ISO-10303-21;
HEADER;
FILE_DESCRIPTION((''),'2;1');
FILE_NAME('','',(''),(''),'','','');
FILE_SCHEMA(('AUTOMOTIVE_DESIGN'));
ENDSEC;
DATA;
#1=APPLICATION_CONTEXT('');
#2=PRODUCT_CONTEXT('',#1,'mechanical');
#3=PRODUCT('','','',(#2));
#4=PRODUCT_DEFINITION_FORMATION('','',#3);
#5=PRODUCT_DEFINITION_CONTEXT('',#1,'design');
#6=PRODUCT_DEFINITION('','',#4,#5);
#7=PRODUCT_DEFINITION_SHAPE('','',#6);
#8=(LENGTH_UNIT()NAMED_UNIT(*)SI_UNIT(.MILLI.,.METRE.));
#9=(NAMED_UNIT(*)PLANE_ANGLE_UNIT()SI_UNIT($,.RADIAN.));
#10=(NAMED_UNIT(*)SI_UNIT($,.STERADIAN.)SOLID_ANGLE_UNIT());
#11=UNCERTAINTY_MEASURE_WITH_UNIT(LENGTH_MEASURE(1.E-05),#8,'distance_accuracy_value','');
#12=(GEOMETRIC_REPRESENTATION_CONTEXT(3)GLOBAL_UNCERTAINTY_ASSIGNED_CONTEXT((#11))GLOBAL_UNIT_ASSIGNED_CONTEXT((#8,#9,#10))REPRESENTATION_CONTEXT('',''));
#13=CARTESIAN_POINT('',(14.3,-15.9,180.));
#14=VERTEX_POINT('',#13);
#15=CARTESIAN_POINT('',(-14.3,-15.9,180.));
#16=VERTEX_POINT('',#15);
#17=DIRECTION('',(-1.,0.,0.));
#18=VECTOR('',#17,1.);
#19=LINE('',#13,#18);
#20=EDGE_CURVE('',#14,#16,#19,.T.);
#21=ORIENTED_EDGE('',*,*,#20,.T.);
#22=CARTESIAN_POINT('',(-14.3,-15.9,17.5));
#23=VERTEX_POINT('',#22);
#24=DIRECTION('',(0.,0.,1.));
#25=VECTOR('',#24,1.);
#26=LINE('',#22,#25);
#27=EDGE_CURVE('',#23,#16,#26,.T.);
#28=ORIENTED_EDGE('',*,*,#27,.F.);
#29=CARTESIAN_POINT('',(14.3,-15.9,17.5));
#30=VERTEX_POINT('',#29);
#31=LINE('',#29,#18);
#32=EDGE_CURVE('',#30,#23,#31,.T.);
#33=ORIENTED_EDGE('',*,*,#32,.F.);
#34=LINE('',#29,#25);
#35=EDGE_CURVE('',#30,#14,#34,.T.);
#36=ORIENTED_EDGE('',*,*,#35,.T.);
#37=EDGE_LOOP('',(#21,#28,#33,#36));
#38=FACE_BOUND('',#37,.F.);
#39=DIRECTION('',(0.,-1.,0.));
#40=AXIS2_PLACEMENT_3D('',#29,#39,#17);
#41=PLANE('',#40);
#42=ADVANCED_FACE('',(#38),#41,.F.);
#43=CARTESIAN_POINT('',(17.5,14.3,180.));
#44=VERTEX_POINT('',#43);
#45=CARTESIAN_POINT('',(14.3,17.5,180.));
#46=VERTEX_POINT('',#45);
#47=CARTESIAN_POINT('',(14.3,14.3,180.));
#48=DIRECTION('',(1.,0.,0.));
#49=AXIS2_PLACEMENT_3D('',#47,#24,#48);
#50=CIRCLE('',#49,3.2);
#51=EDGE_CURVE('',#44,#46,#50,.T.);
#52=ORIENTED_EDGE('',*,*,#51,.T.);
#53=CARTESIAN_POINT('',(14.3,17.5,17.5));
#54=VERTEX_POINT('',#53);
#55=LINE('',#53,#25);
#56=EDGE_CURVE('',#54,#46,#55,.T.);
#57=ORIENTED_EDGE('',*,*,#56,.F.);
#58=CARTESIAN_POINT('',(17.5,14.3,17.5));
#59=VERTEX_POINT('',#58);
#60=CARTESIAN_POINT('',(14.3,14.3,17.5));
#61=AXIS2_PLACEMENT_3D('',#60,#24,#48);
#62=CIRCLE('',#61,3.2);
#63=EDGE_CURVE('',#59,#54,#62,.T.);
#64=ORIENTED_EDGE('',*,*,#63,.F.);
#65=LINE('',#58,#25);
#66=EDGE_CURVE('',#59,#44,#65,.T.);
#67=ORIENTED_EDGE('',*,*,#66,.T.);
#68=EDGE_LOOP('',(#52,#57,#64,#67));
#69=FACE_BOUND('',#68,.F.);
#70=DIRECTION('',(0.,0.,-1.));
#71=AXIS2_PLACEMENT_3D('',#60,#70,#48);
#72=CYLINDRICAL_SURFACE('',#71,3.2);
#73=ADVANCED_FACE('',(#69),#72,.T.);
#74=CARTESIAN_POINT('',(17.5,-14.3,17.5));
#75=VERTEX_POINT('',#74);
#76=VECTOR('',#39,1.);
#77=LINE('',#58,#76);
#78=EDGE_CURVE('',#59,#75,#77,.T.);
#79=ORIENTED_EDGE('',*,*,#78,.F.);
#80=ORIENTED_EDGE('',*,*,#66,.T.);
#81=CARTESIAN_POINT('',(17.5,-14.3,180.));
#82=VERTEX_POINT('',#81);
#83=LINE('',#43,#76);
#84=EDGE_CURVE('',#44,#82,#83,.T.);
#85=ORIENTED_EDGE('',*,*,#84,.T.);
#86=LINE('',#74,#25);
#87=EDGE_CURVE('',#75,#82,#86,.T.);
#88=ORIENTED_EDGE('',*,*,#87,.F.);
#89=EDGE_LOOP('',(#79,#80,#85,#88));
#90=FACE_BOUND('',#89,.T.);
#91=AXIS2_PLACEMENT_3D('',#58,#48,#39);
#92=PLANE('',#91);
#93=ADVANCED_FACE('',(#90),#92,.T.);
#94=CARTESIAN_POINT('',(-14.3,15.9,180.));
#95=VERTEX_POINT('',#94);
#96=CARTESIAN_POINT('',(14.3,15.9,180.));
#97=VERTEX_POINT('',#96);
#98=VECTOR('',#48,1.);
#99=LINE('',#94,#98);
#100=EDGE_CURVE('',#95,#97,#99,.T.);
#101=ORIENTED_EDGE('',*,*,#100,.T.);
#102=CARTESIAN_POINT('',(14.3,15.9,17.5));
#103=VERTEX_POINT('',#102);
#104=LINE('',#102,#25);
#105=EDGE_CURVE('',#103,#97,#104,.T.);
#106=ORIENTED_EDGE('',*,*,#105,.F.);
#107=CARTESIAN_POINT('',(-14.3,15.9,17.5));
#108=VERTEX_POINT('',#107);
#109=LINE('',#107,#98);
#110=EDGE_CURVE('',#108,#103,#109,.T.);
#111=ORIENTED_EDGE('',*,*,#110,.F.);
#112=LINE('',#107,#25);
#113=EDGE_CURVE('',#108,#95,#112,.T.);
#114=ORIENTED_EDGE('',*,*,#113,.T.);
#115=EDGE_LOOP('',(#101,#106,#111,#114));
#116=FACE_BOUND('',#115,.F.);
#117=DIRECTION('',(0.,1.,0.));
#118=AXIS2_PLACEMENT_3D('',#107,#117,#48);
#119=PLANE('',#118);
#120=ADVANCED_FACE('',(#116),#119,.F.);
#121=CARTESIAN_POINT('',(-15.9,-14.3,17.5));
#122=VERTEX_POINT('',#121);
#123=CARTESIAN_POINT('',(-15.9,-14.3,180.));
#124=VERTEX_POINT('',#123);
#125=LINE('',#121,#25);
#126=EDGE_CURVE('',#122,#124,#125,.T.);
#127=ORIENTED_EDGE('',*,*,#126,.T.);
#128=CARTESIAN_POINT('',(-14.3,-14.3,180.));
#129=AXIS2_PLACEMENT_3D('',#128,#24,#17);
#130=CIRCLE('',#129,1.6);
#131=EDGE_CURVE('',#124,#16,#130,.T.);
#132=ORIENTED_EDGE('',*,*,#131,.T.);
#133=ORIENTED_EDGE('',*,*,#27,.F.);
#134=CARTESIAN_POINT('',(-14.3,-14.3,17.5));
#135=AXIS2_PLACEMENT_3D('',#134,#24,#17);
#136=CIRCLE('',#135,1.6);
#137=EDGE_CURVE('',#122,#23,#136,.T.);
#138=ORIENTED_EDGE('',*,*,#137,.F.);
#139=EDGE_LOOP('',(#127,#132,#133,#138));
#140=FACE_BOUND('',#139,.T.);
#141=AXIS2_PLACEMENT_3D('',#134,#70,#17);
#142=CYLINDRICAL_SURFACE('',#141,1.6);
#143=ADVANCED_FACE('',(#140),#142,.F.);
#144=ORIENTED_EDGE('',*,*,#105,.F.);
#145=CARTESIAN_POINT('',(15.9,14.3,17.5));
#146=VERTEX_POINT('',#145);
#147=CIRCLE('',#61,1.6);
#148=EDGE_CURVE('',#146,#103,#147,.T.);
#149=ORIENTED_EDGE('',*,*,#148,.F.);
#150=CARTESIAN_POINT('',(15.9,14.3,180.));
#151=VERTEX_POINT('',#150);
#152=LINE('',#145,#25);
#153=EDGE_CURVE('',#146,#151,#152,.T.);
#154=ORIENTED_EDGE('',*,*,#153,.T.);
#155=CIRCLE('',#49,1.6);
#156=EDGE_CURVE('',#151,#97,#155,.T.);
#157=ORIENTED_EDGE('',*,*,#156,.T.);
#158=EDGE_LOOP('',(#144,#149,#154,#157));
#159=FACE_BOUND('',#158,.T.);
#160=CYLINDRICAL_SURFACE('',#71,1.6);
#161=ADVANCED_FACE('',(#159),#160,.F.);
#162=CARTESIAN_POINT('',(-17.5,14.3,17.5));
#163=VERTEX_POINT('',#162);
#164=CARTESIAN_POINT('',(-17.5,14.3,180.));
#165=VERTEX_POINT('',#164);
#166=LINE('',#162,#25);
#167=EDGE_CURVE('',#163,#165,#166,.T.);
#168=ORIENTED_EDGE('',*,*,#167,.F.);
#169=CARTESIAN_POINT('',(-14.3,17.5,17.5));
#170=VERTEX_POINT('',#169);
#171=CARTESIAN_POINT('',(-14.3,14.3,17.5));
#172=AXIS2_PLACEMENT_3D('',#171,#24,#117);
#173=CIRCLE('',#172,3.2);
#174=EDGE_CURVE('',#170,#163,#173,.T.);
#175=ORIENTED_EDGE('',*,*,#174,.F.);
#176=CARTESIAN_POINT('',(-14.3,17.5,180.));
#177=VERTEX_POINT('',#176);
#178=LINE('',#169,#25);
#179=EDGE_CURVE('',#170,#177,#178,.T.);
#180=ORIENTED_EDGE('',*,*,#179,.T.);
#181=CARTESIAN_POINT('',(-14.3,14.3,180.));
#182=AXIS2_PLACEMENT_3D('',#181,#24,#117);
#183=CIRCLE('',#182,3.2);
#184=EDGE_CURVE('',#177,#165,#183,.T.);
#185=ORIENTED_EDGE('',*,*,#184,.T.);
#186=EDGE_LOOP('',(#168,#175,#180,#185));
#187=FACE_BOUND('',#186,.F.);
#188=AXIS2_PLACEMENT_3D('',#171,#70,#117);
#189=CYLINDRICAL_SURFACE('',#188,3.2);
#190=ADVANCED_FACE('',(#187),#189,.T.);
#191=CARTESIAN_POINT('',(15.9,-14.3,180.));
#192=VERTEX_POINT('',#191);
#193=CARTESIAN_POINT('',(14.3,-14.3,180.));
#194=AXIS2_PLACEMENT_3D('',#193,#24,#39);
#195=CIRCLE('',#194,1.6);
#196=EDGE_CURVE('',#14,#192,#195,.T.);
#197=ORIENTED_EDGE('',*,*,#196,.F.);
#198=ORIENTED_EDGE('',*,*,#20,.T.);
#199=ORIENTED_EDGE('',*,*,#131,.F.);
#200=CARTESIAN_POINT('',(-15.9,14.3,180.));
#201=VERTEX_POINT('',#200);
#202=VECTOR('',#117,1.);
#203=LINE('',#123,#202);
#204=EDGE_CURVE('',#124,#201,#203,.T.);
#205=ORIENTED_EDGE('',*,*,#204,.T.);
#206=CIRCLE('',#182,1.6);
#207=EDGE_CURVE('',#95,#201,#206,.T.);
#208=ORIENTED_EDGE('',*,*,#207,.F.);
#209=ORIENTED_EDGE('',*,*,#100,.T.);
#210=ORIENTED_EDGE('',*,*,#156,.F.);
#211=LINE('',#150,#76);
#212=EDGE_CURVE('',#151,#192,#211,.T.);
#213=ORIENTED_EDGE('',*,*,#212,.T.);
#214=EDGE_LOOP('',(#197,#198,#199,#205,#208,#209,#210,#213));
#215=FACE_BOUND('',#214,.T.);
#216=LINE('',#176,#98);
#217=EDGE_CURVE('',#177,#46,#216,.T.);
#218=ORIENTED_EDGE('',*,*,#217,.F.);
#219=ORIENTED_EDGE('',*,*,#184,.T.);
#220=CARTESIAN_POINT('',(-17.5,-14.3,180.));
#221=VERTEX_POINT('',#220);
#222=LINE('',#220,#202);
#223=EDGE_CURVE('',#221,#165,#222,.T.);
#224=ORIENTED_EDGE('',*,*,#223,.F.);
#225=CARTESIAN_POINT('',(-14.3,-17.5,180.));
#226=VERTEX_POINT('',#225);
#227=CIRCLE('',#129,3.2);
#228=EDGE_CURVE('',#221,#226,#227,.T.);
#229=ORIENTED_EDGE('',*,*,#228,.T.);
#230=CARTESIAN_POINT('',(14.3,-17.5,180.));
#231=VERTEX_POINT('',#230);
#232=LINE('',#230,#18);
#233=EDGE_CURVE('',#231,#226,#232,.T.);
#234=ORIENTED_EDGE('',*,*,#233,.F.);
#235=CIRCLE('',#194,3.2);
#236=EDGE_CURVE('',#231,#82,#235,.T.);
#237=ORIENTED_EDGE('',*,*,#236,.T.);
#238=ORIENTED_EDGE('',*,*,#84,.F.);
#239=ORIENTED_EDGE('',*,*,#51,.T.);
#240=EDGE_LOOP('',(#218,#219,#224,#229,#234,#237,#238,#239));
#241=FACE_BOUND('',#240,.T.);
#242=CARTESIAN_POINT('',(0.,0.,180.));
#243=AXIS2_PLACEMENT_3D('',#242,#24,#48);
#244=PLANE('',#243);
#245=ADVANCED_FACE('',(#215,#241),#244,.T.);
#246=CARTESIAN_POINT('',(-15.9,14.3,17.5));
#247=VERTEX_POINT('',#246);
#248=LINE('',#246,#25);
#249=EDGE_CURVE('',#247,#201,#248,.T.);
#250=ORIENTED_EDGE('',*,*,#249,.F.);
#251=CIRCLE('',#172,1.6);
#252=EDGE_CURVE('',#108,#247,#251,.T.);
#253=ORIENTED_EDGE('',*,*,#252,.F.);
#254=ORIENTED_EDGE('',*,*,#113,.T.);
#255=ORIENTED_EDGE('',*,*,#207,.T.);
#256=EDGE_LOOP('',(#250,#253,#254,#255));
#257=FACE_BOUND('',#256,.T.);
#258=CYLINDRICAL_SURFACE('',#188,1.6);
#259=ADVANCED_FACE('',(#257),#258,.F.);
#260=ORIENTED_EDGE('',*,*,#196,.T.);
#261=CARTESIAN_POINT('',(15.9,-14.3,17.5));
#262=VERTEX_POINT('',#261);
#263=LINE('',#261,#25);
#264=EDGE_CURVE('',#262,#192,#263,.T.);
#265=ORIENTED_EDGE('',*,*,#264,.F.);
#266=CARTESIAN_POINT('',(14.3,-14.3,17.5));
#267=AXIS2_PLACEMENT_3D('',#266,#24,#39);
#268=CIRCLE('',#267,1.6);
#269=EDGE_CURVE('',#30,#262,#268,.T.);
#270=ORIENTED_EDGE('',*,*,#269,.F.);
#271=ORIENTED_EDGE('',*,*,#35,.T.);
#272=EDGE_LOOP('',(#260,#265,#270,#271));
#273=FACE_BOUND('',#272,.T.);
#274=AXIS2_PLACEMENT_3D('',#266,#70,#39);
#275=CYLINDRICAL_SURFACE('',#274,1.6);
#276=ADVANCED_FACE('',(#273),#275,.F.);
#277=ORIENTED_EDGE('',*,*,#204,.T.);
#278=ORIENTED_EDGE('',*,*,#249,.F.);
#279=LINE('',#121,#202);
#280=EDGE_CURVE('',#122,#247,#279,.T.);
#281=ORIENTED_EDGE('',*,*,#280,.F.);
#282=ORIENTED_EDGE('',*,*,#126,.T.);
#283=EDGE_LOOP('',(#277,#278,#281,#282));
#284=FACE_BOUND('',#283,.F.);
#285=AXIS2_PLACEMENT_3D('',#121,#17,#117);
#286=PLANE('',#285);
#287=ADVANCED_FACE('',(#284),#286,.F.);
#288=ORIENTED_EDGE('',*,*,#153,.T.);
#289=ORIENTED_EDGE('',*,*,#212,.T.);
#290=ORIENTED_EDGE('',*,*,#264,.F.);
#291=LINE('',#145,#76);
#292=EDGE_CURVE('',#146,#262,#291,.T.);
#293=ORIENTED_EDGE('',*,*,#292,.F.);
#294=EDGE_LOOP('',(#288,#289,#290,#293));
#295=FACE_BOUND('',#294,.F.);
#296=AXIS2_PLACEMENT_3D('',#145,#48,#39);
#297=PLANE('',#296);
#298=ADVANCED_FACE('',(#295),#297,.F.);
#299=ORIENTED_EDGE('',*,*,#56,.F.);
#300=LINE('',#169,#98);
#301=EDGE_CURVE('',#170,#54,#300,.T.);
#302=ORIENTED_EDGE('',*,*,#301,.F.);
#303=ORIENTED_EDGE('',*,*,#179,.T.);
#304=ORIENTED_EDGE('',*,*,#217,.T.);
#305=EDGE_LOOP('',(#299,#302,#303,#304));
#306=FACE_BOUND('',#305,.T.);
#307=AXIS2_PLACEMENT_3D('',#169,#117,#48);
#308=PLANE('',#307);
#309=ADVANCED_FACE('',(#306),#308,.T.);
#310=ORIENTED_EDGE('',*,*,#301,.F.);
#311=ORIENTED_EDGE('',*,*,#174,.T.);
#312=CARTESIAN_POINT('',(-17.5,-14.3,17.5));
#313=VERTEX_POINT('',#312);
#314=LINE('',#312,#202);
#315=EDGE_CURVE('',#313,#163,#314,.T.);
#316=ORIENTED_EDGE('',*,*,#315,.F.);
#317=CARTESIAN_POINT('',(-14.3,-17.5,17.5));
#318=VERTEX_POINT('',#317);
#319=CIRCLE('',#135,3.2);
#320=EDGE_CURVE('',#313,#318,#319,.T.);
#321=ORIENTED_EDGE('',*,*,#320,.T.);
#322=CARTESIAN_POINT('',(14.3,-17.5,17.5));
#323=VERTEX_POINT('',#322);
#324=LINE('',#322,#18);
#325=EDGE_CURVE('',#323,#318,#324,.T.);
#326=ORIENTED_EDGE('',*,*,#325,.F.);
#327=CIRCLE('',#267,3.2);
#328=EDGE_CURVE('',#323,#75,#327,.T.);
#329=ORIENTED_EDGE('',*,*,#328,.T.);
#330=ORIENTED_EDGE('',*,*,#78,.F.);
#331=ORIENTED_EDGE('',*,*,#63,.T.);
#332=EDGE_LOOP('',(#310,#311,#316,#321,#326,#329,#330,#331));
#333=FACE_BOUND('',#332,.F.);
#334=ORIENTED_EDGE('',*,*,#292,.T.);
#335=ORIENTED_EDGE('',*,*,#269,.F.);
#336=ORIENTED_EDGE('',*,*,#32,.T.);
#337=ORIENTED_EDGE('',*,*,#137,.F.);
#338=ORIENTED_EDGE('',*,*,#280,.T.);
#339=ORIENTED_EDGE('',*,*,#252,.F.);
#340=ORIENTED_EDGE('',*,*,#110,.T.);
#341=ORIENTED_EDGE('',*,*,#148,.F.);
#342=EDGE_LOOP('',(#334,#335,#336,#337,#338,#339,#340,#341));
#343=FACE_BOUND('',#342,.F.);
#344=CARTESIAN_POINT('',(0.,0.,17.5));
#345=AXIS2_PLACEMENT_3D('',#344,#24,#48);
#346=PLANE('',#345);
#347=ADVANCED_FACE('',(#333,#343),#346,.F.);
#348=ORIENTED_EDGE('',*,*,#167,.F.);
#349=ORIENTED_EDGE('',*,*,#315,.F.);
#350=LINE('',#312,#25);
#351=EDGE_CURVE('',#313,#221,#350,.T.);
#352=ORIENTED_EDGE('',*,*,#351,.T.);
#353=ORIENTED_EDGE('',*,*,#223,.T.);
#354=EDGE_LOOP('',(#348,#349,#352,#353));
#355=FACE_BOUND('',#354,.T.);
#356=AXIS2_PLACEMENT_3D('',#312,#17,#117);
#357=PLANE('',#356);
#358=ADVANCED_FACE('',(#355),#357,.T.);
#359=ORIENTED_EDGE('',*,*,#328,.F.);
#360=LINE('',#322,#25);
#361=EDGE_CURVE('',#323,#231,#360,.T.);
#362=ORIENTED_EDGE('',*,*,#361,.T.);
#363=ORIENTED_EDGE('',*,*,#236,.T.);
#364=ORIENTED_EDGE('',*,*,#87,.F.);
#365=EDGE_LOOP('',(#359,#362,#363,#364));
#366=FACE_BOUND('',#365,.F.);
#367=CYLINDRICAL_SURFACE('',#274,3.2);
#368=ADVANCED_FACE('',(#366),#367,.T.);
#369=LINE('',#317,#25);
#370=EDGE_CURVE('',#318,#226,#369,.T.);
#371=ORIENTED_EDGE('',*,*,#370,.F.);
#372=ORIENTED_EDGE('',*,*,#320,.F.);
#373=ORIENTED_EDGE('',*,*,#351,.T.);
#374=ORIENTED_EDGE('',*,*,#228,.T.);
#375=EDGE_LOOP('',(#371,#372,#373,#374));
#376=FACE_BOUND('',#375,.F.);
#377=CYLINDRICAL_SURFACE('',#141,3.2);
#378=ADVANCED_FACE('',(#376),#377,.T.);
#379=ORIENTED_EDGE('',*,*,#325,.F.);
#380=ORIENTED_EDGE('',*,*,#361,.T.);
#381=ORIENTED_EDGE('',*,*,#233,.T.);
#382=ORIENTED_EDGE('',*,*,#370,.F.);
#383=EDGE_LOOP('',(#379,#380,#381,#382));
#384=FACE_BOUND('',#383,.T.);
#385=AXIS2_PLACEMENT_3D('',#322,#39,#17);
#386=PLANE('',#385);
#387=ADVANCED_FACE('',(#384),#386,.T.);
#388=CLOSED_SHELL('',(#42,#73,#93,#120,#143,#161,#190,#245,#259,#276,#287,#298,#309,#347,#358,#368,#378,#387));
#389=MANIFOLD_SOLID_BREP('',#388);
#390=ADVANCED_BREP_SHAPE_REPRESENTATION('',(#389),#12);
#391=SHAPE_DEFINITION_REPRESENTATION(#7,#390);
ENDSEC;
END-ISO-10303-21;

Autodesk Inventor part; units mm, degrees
ref_plane "Start plane" through (0, 0, 17.5) normal (0, 0, 1) x (1, 0, 0)
ref_plane "End plane" through (0, 0, 180) normal (0, 0, 1) x (1, 0, 0)
sketch "Sketch" plane through (0, 0, 0) normal (0, 0, 1) x (1, 0, 0)
  line L0 (-17.5, -14.3) -> (-17.5, 14.3)
  line L1 (-14.3, 17.5) -> (14.3, 17.5)
  line L2 (17.5, 14.3) -> (17.5, -14.3)
  line L3 (14.3, -17.5) -> (-14.3, -17.5)
  arc A0 (-17.5, -14.3) -> (-14.3, -17.5) centre (-14.3, -14.3) ccw
  arc A1 (-14.3, 17.5) -> (-17.5, 14.3) centre (-14.3, 14.3) ccw
  arc A2 (17.5, 14.3) -> (14.3, 17.5) centre (14.3, 14.3) ccw
  arc A3 (14.3, -17.5) -> (17.5, -14.3) centre (14.3, -14.3) ccw
  arc A4 (-14.3, 15.9) -> (-15.9, 14.3) centre (-14.3, 14.3) ccw
  line L4 (-14.3, 15.9) -> (14.3, 15.9)
  arc A5 (15.9, 14.3) -> (14.3, 15.9) centre (14.3, 14.3) ccw
  line L5 (15.9, 14.3) -> (15.9, -14.3)
  arc A6 (14.3, -15.9) -> (15.9, -14.3) centre (14.3, -14.3) ccw
  line L6 (14.3, -15.9) -> (-14.3, -15.9)
  arc A7 (-15.9, -14.3) -> (-14.3, -15.9) centre (-14.3, -14.3) ccw
  line L7 (-15.9, -14.3) -> (-15.9, 14.3)
  line L8 (0, 25.4278) -> (0, -25.4278) construction
  line L9 (-25.4278, 0) -> (25.4278, 0) construction
  dimension "d7" = 3.2
  dimension "d10" = 35
  dimension "d11" = 35
  dimension "d12" = 1.6
  dimension "d15" = 17.5
  dimension "d16" = 17.5
extrude "Body" add sketch "Sketch" along normal up to surface (162.5 mm away) from surface at 17.5
sketch "Sketch3" plane through (0, 0, 0) normal (0, 0, 1) x (1, 0, 0)
  line L0 (0, 0) -> (10, 0)
ref_plane "Work Plane3" through (0, 0, 0) normal (0, -1, 0) x (1, 0, 0)
sketch "Sketch4" plane through (0, 0, 0) normal (0, -1, 0) x (1, 0, 0)
  line L0 (-2, 17.5) -> (12, 17.5)
  line L1 (-2, 180) -> (12, 180)
  dimension "d18" = 162.5
ref_plane "Work Plane4" through (-747.5, 0, 17.5) normal (0, 0, -1) x (-1, 0, 0)
split "Split1" plane through (-747.5, 0, 17.5) removes the side toward (0, 0, -1)
equation "\"d7\" = G_IR"
equation "\"d10\" = G_H"
equation "\"d11\" = G_W"
equation "\"d12\" = G_T"
equation "\"d15\" = 0.5 * d10"
equation "\"d16\" = 0.5 * d11"
equation "\"d3\" = G_L"
equation "\"G_W\" = 35"
equation "\"G_H\" = 35"
equation "\"G_T\" = 1.6"
equation "\"G_IR\" = 3.2"
equation "\"G_L\" = d18"
equation "\"G_OFFSET_START\" = -17.5"
equation "\"G_OFFSET_END\" = 0"
equation "\"d13\" = -G_OFFSET_START"
properties part number "AS 1163 - C350L0 35x35x1.6 SHS - 162.5" material "Steel, Mild"
